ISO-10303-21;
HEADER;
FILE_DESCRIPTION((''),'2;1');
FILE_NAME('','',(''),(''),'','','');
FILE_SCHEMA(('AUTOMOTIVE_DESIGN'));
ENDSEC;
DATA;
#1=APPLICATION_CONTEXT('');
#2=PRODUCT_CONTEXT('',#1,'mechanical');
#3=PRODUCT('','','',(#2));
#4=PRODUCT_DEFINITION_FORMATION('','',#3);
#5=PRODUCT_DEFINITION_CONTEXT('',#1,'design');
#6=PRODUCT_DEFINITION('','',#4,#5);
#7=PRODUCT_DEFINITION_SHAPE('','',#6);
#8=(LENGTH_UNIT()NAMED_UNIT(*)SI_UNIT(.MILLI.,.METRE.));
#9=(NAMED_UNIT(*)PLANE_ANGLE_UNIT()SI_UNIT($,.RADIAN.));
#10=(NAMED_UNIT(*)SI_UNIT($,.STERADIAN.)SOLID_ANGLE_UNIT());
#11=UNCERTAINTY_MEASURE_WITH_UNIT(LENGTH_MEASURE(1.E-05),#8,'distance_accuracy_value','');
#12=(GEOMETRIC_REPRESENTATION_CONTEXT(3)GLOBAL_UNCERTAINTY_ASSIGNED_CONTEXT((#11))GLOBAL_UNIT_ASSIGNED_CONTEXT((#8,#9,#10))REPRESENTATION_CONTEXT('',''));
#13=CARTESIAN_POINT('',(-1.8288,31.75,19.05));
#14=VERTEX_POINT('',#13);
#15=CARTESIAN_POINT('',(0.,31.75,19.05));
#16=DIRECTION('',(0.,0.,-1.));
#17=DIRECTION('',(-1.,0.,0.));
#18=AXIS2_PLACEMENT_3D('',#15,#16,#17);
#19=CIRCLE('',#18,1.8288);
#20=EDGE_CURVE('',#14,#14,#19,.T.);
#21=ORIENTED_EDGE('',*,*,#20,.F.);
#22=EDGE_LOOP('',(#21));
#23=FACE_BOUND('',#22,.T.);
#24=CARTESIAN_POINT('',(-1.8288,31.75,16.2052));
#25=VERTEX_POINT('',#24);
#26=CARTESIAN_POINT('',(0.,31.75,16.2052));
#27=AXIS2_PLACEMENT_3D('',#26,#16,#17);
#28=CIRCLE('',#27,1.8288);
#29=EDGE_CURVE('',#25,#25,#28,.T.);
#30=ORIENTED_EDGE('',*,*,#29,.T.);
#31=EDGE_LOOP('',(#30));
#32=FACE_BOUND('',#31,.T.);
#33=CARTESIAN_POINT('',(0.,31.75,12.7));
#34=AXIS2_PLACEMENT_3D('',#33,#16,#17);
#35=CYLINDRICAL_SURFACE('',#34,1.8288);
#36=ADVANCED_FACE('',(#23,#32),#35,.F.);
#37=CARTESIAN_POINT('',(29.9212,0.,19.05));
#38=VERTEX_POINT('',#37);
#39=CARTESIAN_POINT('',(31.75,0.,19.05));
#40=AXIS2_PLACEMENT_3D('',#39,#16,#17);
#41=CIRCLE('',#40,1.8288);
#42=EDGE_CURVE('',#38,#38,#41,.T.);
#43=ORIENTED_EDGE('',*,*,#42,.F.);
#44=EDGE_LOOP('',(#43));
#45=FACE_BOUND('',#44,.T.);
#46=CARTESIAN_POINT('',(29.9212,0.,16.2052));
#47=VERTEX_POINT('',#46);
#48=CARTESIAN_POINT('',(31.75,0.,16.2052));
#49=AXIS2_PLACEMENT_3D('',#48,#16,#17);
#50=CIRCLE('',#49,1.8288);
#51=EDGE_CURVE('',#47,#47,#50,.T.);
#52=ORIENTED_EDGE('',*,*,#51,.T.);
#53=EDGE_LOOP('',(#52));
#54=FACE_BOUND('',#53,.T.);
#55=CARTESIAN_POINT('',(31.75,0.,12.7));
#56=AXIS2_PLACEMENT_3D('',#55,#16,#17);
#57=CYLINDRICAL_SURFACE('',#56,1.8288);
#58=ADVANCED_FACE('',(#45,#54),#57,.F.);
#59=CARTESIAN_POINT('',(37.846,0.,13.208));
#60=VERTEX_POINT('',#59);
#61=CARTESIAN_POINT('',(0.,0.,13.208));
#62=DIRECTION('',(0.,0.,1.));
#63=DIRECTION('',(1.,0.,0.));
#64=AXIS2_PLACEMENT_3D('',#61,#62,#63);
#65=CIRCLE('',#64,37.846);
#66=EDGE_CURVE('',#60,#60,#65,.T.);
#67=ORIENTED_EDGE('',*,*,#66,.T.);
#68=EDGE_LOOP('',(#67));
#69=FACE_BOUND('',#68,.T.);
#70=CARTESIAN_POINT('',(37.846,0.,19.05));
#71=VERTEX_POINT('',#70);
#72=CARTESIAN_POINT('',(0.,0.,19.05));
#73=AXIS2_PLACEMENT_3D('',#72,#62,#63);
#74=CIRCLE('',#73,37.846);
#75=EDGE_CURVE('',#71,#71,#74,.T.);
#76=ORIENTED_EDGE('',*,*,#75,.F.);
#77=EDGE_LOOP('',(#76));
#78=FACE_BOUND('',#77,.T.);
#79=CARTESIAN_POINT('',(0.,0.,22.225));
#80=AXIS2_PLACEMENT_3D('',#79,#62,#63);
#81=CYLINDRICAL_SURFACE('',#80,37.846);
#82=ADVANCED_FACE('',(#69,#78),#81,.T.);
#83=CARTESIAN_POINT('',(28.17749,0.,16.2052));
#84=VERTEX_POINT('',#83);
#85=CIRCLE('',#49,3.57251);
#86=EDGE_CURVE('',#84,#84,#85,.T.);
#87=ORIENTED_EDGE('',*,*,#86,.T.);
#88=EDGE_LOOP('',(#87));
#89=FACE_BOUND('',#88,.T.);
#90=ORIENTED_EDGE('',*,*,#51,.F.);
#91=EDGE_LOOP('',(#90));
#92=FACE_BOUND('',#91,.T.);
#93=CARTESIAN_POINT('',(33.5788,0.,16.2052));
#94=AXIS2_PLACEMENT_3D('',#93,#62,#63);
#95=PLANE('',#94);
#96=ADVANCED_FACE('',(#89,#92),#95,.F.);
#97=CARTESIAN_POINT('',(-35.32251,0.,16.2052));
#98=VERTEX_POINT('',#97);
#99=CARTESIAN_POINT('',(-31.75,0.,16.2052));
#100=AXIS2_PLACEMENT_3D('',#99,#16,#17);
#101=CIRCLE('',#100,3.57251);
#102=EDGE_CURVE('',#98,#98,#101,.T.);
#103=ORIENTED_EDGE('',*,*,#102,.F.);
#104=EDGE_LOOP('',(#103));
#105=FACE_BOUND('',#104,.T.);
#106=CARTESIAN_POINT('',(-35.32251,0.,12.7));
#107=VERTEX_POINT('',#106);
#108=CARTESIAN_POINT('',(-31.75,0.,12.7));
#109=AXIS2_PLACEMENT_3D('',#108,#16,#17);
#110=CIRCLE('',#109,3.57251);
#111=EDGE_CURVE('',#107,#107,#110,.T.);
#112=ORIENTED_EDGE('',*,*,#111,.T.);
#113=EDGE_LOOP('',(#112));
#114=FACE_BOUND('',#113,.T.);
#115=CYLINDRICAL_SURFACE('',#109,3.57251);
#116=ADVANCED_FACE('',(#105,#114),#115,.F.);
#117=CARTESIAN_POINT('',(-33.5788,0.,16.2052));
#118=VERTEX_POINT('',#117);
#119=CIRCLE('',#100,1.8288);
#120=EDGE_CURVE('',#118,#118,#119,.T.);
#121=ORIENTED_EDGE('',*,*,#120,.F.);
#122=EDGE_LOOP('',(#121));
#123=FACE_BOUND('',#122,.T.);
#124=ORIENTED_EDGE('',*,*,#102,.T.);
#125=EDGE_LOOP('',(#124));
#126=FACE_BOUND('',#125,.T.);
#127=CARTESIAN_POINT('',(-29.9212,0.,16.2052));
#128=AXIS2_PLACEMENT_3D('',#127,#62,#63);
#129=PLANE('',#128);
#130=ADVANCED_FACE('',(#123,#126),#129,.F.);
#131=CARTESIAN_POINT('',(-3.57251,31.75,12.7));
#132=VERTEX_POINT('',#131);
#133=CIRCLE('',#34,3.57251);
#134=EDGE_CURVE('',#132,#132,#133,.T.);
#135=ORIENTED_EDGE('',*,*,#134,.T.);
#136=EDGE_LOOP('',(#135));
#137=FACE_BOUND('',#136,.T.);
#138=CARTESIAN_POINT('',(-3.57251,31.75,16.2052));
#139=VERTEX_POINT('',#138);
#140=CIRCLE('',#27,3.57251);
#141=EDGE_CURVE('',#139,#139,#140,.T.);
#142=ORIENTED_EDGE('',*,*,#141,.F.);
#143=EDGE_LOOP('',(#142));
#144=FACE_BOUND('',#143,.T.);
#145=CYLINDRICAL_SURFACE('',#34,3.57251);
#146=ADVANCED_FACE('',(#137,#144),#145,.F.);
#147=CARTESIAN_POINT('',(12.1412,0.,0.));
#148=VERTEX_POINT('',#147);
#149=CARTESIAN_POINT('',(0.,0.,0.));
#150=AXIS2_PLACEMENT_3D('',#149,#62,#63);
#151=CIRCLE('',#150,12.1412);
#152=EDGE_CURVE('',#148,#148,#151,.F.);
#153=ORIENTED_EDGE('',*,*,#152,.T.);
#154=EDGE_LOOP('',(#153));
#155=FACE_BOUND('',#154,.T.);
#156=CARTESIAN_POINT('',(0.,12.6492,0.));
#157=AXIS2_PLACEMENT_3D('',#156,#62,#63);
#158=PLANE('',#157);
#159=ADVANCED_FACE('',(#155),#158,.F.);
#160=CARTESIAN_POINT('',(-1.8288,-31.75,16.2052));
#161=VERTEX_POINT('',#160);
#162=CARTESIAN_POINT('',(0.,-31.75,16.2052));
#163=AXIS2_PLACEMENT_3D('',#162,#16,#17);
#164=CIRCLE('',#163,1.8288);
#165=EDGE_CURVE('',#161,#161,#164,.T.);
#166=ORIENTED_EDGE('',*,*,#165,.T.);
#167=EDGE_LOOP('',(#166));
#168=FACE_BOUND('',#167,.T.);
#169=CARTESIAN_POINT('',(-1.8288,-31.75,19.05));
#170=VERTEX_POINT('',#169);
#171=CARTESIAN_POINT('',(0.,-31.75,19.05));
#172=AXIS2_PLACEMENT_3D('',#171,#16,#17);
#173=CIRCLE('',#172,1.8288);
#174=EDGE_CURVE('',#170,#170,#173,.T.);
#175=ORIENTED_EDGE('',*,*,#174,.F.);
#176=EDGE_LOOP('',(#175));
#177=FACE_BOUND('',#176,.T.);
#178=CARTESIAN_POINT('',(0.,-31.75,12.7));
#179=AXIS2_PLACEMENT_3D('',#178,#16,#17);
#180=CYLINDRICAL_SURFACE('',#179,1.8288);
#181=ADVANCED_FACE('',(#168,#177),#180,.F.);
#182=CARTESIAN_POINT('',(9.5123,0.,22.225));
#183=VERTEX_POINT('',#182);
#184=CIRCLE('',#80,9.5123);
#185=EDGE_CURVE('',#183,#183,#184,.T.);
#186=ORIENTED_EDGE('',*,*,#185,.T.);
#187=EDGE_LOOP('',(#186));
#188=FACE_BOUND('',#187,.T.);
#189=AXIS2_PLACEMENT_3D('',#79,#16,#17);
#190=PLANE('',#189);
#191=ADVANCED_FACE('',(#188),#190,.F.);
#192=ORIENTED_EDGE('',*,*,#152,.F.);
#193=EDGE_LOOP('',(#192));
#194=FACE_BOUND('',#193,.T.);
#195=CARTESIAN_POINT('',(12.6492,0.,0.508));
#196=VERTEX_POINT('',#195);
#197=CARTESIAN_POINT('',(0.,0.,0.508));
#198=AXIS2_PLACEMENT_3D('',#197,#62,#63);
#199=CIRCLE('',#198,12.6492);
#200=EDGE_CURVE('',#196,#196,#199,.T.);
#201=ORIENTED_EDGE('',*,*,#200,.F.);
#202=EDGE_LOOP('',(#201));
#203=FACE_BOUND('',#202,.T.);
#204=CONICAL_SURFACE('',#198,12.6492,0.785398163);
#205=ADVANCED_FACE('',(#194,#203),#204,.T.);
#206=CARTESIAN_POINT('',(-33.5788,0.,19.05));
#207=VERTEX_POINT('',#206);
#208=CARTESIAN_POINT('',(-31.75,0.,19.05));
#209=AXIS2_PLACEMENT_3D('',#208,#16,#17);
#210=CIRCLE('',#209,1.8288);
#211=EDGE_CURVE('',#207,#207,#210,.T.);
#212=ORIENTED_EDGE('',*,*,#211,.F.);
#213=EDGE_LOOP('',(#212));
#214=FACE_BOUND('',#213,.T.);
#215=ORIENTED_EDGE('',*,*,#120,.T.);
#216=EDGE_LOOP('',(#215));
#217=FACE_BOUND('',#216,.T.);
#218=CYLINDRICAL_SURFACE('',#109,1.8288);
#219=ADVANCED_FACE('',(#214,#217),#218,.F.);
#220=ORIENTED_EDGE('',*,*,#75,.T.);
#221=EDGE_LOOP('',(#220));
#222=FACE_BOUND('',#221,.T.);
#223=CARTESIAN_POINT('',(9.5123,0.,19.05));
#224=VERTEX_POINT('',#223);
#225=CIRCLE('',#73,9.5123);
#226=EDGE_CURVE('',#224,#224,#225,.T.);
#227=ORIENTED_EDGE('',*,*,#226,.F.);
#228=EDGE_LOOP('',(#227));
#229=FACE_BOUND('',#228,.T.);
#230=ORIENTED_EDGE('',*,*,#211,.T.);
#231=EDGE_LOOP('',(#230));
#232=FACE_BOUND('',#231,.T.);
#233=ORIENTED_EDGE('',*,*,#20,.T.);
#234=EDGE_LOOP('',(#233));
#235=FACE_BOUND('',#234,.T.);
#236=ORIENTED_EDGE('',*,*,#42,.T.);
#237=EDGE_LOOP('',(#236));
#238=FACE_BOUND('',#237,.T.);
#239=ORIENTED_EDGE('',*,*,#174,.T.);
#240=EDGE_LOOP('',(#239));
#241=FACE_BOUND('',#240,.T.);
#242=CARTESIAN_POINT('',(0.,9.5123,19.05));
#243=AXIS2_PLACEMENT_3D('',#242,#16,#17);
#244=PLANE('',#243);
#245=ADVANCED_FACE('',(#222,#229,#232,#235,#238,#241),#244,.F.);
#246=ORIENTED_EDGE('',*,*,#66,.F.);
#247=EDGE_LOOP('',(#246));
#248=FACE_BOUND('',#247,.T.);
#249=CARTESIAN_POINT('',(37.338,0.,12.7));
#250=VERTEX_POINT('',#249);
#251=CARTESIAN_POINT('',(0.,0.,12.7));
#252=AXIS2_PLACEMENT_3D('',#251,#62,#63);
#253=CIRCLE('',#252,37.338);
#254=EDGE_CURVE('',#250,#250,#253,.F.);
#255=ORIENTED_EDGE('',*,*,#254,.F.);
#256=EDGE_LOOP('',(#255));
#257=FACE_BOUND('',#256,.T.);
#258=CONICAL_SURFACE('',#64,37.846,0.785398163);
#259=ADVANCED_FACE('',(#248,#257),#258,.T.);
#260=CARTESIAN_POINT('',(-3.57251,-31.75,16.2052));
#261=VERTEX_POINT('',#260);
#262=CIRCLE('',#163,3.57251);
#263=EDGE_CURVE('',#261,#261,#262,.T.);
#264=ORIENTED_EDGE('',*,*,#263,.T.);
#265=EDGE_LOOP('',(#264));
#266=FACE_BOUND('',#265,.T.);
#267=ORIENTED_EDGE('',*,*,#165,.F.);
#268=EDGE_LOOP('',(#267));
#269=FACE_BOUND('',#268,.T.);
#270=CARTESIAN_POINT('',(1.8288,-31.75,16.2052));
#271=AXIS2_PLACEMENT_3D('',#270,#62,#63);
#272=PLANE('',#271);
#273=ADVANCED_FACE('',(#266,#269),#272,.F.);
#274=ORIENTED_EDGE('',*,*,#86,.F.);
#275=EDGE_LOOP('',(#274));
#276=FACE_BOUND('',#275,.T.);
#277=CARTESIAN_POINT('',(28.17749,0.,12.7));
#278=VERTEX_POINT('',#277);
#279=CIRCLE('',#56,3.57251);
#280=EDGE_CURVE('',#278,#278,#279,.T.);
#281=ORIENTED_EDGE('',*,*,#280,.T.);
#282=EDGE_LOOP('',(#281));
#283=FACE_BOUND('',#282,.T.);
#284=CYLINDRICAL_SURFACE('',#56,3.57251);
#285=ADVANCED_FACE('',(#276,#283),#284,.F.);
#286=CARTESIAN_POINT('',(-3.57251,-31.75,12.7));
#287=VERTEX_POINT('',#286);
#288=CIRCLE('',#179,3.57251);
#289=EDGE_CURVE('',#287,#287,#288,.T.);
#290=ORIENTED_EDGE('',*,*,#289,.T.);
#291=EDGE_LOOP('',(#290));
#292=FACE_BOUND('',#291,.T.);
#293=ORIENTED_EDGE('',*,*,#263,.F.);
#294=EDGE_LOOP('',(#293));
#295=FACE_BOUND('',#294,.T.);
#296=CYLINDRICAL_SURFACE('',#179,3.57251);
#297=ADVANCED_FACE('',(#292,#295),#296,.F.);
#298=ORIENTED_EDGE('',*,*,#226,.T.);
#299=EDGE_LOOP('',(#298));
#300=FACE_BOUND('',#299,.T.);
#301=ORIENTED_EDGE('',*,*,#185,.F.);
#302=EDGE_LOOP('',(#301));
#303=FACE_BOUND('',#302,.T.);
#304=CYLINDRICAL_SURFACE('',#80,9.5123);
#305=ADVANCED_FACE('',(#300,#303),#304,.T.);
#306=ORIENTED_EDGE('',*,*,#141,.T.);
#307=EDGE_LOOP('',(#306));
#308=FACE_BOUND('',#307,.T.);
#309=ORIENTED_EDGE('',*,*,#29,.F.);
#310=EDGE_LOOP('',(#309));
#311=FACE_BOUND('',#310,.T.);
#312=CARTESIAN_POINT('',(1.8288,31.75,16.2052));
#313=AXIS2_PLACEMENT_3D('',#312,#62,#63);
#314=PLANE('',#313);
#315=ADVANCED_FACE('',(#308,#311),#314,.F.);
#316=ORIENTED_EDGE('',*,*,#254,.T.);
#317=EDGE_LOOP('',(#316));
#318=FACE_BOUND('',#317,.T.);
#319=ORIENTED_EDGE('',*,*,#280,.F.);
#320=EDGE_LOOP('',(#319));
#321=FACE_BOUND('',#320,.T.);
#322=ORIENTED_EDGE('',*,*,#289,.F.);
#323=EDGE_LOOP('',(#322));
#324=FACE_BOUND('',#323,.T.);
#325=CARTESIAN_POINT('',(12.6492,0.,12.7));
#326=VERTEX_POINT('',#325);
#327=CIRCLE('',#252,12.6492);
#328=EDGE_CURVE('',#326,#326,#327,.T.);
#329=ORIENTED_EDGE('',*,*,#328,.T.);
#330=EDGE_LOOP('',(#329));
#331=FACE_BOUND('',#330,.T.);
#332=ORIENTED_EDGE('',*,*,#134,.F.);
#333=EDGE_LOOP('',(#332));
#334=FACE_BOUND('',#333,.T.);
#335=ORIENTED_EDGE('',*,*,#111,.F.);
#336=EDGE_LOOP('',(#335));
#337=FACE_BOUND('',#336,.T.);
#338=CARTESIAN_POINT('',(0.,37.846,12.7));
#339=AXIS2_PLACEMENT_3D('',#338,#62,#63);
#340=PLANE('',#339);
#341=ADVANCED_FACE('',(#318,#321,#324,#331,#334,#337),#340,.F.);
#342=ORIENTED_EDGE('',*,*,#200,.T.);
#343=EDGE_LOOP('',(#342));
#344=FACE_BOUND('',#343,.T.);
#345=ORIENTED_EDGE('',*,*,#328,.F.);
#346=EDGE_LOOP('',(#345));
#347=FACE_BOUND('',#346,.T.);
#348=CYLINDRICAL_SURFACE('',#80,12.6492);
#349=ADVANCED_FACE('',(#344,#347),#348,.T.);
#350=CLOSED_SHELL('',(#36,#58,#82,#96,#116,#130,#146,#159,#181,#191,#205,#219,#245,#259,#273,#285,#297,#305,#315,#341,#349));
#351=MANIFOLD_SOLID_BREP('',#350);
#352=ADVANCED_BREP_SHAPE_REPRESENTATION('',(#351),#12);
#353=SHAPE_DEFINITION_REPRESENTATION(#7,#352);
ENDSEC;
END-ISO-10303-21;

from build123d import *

# Parameters (mm, degrees)
CBORE_FOR_6_SOCKET_HEAD_CAP_SCREW1_D           = 3.6576
CBORE_FOR_6_SOCKET_HEAD_CAP_SCREW1_CBORE_D     = 7.14502
CBORE_FOR_6_SOCKET_HEAD_CAP_SCREW1_CBORE_DEPTH = 3.5052
CHAMFER1_SIZE                                  = 0.508


with BuildPart() as part:
    # Sketch1 → Revolve1 (revolve)
    with BuildSketch(Plane(origin=(0, 0, 0), x_dir=(0, 0, -1), z_dir=(1, 0, 0)), mode=Mode.PRIVATE) as revolve1_sk:
        Polygon((-22.225, 0), (-22.225, 9.5123), (-19.05, 9.5123), (-19.05, 37.846), (-12.7, 37.846), (-12.7, 12.6492), (0, 12.6492), (0, 0), align=None)
    revolve(revolve1_sk.sketch.rotate(Axis((0, 0, 22.225), (0, 0, -1)), 90), axis=Axis((0, 0, 22.225), (0, 0, -1)))

    # CBORE for #6 Socket Head Cap Screw1 (through all)
    with Locations(Plane(origin=(0, 0, 12.7), x_dir=(-1, 0, 0), z_dir=(0, 0, -1))):
        with Locations((-31.75, 0), (0, 31.75), (31.75, 0), (0, -31.75)):
            CounterBoreHole(CBORE_FOR_6_SOCKET_HEAD_CAP_SCREW1_D / 2, CBORE_FOR_6_SOCKET_HEAD_CAP_SCREW1_CBORE_D / 2, CBORE_FOR_6_SOCKET_HEAD_CAP_SCREW1_CBORE_DEPTH)

    # Chamfer1
    chamfer1_edges = [part.edges().sort_by_distance(p)[0] for p in [
        (-12.6492, 0, 0),
        (-37.846, 0, 12.7),
    ]]
    chamfer(chamfer1_edges, length=CHAMFER1_SIZE)


solid = part.part
